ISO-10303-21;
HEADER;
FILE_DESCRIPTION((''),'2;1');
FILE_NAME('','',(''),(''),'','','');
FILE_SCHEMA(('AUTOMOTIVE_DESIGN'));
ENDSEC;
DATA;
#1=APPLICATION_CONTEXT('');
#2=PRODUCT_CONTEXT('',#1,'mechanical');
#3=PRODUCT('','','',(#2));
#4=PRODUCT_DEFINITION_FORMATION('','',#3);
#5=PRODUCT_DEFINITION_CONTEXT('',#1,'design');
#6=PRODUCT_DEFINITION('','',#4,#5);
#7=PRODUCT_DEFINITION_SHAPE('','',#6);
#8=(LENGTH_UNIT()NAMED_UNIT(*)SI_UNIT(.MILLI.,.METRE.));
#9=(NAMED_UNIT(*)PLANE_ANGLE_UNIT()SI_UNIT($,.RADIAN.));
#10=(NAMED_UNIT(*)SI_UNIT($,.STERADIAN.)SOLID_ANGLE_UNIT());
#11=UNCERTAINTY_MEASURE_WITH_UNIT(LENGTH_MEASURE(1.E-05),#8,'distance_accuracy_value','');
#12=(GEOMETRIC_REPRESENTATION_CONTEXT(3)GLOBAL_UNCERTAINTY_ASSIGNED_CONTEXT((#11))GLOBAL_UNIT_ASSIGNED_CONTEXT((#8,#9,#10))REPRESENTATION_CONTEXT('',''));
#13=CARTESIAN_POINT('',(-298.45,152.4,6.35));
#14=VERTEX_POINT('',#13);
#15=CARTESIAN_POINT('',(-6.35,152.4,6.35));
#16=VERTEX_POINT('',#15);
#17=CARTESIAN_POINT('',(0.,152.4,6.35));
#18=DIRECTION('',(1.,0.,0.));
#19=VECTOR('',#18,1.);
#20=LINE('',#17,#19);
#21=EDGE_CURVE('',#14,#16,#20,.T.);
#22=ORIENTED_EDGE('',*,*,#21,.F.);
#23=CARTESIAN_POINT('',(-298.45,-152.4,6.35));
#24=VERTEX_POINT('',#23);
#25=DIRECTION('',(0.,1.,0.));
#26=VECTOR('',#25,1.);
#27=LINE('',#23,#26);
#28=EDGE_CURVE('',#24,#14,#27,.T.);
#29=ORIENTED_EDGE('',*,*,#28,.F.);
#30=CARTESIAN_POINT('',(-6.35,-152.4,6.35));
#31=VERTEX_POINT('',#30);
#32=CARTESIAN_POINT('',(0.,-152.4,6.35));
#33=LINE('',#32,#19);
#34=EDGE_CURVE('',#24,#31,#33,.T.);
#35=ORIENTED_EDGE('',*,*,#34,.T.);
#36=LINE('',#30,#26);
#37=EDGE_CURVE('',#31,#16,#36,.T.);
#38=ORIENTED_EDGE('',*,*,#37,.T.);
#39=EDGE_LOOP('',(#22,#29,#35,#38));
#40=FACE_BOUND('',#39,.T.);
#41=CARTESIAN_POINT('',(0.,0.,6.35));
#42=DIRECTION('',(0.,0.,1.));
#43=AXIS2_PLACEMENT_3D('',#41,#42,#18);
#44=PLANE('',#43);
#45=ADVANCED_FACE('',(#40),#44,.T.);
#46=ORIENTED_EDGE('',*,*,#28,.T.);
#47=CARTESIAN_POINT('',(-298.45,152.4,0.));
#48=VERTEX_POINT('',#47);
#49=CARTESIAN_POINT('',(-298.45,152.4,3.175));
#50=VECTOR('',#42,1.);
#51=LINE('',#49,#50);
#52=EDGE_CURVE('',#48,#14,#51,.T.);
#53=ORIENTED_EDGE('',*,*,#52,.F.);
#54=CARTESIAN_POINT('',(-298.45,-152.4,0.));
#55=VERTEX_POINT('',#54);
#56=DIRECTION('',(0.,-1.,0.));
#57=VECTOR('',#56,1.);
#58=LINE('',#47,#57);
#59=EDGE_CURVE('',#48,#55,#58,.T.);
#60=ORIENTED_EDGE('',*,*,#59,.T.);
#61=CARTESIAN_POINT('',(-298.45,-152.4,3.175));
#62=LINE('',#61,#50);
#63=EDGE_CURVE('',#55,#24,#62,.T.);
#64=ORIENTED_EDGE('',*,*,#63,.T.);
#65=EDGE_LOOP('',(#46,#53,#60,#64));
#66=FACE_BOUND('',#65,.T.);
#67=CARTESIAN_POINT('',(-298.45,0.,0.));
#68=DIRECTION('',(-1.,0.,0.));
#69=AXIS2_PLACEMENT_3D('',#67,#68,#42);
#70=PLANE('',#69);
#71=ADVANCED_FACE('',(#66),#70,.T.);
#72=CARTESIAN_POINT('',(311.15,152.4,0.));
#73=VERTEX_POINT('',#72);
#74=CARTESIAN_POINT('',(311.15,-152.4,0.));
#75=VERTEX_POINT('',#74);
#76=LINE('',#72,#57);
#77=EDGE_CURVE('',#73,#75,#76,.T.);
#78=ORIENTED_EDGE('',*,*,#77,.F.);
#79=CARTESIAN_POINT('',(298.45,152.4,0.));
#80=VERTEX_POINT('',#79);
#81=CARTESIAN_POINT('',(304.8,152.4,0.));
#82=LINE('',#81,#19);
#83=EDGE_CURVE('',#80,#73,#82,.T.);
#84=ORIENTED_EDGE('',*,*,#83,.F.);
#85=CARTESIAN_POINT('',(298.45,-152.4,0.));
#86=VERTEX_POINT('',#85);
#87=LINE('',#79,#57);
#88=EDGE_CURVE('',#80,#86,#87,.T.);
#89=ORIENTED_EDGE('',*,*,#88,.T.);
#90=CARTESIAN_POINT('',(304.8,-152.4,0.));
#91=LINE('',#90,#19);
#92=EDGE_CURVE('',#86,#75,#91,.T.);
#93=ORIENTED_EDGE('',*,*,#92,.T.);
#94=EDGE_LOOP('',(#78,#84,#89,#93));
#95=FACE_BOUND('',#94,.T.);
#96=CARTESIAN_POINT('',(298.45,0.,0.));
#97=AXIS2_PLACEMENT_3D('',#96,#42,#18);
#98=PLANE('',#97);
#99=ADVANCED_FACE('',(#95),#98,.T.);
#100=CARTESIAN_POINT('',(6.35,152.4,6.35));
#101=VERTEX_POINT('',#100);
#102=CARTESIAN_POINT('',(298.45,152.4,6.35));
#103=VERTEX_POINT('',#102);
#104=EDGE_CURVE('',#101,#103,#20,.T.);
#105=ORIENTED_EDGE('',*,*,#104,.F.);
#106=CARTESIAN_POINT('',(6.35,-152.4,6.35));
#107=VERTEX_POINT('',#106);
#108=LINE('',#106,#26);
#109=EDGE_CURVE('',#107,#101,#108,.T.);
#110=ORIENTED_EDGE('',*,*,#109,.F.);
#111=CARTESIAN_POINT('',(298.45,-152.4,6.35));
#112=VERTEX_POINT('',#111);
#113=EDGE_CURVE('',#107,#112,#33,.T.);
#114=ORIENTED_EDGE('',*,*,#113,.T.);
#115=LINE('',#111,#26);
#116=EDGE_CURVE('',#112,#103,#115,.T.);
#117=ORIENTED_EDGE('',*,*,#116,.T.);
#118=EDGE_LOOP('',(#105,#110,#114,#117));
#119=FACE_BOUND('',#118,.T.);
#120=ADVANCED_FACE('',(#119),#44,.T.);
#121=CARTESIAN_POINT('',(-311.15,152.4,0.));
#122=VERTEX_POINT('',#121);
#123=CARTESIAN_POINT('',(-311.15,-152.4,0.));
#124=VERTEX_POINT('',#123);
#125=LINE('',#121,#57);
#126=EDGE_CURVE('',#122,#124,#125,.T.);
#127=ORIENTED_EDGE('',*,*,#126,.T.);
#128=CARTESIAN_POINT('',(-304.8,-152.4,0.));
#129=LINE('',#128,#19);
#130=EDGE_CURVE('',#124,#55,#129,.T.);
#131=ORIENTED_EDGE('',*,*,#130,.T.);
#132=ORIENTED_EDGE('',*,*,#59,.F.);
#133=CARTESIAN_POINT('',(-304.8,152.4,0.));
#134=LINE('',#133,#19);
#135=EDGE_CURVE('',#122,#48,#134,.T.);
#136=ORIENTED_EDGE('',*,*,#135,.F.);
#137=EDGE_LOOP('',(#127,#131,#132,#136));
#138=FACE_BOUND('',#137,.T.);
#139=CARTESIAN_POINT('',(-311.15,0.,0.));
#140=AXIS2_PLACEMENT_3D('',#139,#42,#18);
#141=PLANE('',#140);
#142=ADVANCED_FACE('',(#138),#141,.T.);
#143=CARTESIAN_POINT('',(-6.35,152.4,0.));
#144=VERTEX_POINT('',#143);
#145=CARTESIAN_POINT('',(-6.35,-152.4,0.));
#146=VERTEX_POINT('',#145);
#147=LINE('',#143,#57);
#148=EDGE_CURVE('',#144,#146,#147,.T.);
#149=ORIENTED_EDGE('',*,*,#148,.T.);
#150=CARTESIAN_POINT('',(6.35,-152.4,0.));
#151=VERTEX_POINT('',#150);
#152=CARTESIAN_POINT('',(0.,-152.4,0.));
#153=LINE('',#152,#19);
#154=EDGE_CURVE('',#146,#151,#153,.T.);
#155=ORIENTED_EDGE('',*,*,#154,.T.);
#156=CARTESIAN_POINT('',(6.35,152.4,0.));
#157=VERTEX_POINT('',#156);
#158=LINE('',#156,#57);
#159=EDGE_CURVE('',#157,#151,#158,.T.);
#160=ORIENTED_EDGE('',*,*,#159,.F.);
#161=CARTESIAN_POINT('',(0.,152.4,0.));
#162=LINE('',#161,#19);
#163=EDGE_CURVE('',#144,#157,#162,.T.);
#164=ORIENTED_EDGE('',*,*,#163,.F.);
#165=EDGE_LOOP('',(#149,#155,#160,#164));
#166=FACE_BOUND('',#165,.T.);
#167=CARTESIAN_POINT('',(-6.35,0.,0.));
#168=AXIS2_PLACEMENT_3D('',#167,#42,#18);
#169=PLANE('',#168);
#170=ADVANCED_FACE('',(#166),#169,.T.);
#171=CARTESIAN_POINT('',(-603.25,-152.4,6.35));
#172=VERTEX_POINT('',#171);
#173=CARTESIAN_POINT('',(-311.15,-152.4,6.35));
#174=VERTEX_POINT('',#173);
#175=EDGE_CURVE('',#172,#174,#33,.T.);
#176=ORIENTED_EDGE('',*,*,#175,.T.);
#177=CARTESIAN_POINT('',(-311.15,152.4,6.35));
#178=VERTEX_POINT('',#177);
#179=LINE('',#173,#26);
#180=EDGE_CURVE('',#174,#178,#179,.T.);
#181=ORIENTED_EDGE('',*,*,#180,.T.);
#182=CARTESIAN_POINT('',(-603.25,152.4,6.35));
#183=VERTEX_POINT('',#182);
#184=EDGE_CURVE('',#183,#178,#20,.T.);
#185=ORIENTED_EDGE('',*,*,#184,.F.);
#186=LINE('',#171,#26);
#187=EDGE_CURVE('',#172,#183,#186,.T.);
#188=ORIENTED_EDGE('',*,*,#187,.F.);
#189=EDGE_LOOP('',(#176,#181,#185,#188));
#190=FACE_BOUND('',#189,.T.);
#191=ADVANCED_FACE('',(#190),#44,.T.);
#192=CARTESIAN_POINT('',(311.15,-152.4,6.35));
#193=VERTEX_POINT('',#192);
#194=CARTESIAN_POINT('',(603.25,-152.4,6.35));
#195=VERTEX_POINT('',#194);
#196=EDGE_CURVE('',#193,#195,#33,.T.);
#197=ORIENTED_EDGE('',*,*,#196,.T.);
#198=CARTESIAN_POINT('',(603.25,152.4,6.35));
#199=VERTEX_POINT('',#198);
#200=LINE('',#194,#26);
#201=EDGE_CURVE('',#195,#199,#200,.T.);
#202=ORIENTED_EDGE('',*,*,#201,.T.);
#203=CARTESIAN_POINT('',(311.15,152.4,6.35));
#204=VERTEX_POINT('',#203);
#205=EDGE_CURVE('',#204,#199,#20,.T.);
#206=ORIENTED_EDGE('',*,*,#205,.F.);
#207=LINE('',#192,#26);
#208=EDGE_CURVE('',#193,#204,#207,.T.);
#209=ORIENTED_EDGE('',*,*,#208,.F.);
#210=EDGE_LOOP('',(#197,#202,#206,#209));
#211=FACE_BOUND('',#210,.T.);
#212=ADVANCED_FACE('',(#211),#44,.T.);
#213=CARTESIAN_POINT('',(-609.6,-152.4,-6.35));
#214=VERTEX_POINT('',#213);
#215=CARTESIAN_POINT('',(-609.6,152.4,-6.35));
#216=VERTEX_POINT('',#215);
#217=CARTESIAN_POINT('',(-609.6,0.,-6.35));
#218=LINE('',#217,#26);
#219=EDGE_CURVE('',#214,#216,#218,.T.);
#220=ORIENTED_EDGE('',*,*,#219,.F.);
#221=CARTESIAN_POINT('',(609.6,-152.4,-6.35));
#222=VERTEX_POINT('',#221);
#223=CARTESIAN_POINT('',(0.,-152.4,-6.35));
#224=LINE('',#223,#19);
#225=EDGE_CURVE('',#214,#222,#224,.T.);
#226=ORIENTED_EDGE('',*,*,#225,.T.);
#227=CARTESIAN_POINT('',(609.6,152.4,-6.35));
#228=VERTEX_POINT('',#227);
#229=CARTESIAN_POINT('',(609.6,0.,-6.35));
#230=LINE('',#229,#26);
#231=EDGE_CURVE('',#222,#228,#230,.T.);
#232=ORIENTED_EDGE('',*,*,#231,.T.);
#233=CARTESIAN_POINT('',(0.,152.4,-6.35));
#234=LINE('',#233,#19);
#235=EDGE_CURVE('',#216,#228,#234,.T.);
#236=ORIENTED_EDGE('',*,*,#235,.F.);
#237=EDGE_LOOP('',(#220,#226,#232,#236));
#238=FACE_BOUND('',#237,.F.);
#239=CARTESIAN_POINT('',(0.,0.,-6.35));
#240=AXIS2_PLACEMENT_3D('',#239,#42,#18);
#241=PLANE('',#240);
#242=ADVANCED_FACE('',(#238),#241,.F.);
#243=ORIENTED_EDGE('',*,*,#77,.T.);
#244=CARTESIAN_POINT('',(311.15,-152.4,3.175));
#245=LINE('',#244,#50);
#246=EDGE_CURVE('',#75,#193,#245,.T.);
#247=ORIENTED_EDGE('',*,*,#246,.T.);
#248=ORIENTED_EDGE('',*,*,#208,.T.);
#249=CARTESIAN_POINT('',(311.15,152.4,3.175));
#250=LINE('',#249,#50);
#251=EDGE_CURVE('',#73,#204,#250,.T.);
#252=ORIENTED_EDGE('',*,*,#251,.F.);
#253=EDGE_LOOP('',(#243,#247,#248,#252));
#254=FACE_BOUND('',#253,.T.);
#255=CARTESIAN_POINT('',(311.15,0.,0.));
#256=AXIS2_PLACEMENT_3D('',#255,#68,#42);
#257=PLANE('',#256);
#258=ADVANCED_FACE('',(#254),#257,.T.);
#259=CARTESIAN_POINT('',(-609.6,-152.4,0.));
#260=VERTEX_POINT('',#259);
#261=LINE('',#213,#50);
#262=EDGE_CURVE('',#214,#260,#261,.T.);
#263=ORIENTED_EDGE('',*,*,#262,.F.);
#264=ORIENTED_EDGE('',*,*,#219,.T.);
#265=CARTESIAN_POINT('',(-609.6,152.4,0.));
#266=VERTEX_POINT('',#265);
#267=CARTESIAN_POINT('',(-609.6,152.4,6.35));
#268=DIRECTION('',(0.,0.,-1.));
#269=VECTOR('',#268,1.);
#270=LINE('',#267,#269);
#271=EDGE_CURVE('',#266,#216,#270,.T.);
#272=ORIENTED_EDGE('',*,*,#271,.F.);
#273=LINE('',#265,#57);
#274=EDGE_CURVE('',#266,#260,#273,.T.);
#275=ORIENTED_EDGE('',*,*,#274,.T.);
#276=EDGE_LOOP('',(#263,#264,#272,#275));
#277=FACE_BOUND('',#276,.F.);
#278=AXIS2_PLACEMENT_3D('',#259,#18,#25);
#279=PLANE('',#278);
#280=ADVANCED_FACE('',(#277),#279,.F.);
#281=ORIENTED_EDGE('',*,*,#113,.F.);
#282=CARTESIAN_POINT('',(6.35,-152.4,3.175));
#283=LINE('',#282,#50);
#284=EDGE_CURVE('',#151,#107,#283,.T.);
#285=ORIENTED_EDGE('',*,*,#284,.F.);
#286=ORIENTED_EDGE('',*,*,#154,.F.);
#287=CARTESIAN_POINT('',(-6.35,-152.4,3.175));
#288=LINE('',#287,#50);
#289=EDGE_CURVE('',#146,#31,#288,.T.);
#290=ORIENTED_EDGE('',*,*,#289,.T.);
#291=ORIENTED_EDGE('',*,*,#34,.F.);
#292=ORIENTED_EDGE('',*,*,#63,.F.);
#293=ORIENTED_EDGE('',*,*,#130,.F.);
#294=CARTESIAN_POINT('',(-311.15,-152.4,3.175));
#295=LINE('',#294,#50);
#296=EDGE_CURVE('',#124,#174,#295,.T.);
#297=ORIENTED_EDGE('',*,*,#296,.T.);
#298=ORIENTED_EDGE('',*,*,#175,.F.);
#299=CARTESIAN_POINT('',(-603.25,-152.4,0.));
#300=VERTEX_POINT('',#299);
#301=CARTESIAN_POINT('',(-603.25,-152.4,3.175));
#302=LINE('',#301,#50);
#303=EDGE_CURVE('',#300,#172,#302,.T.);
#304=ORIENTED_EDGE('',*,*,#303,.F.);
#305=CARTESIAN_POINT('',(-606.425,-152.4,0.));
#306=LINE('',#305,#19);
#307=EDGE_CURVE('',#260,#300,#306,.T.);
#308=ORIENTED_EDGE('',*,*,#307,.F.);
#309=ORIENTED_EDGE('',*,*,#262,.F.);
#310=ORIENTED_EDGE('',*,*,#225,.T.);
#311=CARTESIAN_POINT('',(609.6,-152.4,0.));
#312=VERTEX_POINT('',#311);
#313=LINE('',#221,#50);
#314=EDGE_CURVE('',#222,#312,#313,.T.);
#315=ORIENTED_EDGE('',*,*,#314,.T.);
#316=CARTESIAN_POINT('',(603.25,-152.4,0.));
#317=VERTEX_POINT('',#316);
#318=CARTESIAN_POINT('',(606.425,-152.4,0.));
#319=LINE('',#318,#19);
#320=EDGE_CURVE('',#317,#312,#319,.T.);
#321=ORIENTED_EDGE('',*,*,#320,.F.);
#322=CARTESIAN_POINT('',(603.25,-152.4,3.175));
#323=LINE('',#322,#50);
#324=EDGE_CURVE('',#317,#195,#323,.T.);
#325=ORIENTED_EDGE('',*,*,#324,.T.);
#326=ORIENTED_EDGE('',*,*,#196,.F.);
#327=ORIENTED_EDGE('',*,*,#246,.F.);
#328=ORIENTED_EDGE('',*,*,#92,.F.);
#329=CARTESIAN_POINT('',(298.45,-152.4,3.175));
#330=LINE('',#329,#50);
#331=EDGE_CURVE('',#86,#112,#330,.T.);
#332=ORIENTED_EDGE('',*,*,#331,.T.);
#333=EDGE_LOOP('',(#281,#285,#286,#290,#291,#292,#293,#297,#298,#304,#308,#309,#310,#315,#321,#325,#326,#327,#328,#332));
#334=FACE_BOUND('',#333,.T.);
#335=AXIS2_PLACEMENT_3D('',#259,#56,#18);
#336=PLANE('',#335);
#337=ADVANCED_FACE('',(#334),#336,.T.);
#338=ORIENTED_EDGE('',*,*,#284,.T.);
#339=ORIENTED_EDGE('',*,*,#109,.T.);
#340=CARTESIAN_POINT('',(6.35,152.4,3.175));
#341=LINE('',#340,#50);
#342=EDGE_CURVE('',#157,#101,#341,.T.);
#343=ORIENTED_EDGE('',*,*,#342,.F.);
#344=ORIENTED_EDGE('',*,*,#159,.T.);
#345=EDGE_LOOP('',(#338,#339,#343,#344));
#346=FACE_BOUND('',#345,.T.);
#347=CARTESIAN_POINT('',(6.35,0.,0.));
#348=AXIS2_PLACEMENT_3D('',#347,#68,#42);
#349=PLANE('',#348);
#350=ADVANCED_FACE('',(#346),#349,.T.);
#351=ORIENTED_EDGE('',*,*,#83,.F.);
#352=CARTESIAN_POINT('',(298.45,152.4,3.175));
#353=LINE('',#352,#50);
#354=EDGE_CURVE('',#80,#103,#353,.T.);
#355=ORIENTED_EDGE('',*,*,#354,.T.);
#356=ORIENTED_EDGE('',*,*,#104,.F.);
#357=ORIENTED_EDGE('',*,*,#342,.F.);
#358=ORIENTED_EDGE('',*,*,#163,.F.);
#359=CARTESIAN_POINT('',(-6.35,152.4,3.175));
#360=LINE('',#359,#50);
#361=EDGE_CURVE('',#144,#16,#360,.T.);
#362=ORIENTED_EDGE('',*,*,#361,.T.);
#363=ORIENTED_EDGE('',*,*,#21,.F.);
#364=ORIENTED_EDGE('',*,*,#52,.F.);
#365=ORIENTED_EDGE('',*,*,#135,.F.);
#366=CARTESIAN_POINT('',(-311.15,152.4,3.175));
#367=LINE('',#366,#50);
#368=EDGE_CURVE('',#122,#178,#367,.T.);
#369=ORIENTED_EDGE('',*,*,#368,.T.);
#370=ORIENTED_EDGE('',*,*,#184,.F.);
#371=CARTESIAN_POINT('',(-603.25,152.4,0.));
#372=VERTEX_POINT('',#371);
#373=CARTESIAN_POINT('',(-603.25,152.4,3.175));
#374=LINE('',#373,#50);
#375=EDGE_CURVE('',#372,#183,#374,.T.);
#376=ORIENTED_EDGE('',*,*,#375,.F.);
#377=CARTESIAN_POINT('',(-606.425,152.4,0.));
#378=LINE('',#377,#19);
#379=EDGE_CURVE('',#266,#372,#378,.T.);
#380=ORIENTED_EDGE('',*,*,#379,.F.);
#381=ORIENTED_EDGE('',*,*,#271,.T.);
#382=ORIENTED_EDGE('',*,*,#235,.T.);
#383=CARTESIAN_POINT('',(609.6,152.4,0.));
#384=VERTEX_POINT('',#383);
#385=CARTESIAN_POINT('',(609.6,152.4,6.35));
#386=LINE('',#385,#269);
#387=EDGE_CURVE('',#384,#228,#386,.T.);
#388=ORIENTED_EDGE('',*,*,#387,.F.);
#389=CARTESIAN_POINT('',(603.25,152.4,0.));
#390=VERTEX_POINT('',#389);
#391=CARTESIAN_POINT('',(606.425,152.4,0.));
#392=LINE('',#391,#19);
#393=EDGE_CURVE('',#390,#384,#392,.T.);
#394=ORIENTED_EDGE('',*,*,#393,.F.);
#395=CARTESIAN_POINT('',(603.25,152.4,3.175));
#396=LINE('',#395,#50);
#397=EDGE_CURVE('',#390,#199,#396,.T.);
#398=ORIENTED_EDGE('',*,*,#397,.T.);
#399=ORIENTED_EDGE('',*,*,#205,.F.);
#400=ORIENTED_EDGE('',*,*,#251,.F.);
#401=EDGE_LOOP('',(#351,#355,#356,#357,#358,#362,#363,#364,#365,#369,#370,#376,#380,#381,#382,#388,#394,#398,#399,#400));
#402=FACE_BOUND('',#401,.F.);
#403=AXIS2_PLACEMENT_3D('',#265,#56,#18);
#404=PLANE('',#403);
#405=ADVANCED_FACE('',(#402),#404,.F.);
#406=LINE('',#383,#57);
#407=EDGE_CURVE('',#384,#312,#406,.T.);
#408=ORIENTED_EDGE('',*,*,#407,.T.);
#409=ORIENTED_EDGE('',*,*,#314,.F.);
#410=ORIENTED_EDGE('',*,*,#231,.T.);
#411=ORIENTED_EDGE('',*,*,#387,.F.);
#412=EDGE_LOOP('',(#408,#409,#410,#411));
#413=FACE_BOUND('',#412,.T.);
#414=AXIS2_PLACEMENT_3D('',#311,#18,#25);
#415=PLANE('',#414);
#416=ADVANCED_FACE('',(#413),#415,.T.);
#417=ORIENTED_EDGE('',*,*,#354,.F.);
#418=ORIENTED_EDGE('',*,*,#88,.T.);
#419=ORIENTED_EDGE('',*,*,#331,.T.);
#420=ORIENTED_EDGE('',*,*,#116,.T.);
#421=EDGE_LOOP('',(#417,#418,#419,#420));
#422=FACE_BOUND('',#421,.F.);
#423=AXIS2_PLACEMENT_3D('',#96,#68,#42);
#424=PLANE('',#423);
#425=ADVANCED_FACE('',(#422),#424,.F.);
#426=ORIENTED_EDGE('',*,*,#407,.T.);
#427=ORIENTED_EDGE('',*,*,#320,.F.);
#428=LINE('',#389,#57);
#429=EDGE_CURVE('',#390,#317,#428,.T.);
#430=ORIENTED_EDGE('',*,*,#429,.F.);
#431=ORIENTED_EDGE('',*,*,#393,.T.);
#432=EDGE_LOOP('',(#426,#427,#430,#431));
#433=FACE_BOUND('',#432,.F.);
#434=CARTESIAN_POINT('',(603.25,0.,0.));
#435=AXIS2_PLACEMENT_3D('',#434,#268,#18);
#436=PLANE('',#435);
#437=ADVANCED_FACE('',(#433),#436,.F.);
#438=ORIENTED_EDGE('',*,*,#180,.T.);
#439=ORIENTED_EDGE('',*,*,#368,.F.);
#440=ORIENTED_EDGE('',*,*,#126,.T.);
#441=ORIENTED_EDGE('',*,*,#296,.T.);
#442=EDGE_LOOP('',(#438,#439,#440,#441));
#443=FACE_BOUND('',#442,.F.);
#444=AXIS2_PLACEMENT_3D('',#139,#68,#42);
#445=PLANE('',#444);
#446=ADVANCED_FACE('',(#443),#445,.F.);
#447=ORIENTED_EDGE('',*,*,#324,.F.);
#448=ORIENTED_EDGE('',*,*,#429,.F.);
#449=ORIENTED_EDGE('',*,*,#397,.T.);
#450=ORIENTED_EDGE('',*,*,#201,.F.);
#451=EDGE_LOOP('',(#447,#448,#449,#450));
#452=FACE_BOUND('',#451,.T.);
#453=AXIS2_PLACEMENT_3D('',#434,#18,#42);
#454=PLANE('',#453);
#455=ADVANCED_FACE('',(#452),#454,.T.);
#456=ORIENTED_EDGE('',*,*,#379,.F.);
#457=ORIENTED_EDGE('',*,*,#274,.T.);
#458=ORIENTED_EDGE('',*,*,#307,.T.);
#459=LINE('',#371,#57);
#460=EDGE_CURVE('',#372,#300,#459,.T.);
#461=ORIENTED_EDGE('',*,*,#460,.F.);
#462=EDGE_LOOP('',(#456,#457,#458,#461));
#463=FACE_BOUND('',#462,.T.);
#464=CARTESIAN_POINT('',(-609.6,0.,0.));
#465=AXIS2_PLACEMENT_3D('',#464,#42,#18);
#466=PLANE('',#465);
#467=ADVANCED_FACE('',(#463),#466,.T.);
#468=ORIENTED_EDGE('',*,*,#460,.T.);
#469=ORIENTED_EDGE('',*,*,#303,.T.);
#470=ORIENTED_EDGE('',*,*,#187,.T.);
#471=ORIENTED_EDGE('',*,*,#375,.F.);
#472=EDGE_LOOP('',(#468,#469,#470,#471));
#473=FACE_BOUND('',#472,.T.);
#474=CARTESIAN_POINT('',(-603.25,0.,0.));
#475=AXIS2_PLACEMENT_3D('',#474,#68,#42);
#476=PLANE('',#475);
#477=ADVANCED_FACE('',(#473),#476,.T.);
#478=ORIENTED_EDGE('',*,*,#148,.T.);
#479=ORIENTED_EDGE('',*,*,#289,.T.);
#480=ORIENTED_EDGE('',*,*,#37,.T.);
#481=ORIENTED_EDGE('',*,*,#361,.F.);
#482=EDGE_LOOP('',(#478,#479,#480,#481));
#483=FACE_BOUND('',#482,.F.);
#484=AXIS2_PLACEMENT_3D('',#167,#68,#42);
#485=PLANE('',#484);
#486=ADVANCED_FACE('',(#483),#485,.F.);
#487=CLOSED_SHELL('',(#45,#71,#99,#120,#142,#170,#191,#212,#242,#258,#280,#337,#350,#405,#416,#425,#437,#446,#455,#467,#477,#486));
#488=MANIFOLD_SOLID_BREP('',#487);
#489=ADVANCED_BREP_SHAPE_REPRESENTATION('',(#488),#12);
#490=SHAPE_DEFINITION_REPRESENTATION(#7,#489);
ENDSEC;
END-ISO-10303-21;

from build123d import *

# Parameters (mm, degrees)
F0_W     = 1219.2
F0_H     = 304.8
F1_DEPTH = 6.35
F2_W     = 12.7
F2_H     = 6.35
F2_W_2   = 6.35
F3_DEPTH = 152.4


with BuildPart() as f1:
    # F0 (on Top) → F1 (new body, symmetric)
    with BuildSketch(Plane.XY):
        Rectangle(F0_W, F0_H)
    extrude(amount=F1_DEPTH, both=True)

    # F2 (on Front) → F3 (cut, symmetric)
    with BuildSketch(Plane.XZ):
        with Locations((-304.8, 3.175)):
            Rectangle(F2_W, F2_H)
        with Locations((0, 3.175)):
            Rectangle(F2_W, F2_H)
        with Locations((304.8, 3.175)):
            Rectangle(F2_W, F2_H)
        with Locations((-606.425, 3.175)):
            Rectangle(F2_W_2, F2_H)
        with Locations((606.425, 3.175)):
            Rectangle(F2_W_2, F2_H)
    extrude(amount=F3_DEPTH, both=True, mode=Mode.SUBTRACT)


solid = f1.part
